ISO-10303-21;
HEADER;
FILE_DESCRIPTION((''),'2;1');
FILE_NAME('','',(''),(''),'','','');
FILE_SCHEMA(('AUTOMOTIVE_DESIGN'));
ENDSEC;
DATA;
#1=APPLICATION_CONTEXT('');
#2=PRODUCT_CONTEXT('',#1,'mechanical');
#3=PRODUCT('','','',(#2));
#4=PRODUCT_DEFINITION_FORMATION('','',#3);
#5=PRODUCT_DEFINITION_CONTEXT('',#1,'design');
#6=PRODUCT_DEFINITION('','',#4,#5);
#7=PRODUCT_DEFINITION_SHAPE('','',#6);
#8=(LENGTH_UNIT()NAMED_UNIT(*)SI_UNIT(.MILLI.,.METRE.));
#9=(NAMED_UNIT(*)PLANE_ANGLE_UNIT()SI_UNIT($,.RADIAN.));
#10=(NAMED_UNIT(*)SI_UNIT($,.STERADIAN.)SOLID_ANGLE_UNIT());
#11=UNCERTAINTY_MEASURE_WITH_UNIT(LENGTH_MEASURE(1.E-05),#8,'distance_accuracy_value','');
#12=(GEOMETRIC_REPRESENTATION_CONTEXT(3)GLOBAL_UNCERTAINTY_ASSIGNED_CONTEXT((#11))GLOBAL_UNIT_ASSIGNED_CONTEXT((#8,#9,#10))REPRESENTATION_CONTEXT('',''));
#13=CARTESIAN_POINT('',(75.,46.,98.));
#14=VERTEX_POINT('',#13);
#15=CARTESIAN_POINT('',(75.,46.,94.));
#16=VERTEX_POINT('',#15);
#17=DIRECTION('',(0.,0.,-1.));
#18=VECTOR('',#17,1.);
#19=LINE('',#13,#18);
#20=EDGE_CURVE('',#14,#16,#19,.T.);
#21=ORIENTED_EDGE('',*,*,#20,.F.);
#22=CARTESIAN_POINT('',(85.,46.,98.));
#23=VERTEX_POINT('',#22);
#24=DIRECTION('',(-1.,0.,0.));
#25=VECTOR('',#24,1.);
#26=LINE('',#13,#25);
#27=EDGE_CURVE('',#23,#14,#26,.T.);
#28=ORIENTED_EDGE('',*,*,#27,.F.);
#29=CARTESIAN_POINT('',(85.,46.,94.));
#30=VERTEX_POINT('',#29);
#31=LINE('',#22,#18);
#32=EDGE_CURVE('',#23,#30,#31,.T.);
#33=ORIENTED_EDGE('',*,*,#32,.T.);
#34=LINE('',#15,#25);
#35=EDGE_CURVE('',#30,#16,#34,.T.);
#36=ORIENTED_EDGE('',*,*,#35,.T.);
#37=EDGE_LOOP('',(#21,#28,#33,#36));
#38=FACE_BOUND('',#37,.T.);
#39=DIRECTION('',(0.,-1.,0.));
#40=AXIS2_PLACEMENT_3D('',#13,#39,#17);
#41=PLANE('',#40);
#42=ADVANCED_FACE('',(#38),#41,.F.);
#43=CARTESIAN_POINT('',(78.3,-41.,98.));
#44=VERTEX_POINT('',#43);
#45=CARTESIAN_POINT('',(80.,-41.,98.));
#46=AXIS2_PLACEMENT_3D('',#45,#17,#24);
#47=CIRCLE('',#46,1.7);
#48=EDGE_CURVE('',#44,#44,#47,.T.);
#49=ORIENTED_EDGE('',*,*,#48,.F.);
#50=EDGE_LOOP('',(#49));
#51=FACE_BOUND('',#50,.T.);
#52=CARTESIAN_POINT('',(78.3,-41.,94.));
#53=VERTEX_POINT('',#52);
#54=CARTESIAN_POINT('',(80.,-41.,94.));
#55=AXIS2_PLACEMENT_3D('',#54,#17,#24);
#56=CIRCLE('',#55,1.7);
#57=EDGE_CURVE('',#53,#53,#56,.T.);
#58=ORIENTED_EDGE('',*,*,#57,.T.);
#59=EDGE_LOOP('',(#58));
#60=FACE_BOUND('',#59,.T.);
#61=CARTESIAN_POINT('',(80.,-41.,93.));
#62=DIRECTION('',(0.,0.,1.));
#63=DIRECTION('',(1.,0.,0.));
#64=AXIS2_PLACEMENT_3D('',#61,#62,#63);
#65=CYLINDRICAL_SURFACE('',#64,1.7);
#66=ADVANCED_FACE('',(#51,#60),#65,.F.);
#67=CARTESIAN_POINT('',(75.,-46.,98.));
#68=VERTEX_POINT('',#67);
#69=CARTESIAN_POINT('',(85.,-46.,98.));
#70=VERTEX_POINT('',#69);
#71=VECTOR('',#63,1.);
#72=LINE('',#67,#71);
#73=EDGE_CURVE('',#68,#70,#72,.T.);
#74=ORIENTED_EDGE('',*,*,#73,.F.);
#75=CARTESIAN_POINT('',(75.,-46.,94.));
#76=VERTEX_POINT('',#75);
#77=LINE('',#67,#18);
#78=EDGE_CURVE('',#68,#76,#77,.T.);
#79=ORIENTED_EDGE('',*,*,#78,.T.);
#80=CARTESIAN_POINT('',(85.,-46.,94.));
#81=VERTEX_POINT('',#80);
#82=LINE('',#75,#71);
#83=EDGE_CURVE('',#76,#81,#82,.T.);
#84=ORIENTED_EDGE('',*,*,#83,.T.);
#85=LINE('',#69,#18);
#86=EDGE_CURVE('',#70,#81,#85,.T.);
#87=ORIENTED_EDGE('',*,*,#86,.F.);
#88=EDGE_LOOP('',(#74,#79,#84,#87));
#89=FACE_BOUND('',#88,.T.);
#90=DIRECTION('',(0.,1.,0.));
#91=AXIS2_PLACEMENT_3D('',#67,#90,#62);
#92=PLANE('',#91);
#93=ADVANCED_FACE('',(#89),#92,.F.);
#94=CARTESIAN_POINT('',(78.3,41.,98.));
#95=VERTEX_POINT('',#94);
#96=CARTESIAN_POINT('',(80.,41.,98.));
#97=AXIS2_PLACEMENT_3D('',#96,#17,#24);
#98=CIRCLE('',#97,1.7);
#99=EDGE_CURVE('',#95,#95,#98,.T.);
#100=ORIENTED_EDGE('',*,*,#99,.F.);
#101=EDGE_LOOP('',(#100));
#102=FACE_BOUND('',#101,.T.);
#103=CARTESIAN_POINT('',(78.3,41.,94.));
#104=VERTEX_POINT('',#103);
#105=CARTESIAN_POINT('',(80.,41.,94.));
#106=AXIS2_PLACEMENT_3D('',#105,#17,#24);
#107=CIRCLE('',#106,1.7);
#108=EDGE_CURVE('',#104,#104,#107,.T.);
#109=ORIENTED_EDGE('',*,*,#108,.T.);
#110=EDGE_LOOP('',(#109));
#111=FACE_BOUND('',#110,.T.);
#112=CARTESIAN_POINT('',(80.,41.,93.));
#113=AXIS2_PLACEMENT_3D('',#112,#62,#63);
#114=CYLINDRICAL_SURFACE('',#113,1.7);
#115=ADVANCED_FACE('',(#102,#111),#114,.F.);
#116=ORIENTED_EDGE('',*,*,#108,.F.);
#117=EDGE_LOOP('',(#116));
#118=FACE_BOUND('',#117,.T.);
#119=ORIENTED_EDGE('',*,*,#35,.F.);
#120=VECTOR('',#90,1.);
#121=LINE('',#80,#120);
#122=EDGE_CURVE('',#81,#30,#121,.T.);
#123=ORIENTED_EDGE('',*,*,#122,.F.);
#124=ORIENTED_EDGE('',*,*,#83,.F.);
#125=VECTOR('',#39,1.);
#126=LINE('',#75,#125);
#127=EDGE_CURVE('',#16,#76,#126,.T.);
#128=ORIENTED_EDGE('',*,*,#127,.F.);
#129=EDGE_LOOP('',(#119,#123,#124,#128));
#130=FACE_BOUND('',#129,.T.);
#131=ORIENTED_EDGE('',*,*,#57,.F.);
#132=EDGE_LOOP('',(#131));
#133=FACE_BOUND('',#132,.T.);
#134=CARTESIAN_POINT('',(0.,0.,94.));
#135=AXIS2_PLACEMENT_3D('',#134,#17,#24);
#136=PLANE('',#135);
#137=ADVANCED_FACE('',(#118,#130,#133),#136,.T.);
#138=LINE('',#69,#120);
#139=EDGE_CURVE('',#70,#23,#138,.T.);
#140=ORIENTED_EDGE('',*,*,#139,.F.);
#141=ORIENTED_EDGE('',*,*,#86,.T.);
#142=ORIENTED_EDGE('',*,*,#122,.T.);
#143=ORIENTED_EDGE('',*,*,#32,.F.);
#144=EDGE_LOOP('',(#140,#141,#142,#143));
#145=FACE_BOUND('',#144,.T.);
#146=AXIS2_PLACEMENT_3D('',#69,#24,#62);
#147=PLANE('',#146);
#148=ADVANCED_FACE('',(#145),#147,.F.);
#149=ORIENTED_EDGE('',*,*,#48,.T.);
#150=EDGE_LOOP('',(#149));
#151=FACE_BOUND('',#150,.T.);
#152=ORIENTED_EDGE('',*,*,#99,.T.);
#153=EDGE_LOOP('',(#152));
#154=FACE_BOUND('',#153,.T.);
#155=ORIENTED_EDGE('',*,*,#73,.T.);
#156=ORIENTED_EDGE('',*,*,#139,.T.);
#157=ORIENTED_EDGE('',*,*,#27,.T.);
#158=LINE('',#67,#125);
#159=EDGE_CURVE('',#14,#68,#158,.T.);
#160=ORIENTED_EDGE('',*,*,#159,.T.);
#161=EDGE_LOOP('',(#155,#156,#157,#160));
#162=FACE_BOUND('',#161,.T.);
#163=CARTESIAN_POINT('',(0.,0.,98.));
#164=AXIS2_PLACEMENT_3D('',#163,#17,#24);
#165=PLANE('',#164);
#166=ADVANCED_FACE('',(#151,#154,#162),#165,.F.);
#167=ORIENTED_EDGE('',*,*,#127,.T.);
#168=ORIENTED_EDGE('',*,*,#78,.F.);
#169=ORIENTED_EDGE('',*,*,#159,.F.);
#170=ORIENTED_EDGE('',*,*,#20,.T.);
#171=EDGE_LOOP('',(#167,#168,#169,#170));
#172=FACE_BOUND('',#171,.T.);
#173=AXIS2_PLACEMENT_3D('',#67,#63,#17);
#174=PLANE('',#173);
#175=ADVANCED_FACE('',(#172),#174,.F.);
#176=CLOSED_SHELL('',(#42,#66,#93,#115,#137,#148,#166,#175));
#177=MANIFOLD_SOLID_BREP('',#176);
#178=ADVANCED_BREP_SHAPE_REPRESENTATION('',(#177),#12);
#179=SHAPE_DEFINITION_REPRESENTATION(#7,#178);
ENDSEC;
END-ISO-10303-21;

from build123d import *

# Parameters (mm, degrees)
CONTROL_BATTERY_CLAMP_START = 94
SKETCH_1_W                  = 10
SKETCH_1_H                  = 92
CONTROL_BATTERY_CLAMP_DEPTH = 4
CLAMP_TWO_M3_START          = 99
SKETCH_2_R                  = 1.7
CLAMP_TWO_M3_DEPTH          = 6


with BuildPart() as part:
    # 草图1 → Control_battery_clamp (new body)
    with BuildSketch(Plane.XY.offset(CONTROL_BATTERY_CLAMP_START)):
        with Locations((80, 0)):
            Rectangle(SKETCH_1_W, SKETCH_1_H)
    extrude(amount=CONTROL_BATTERY_CLAMP_DEPTH)

    # 草图2 → Clamp_two_M3 (cut)
    with BuildSketch(Plane.XY.offset(CLAMP_TWO_M3_START)):
        with Locations(Location((80, -41, 0), (0, 0, 180))):
            Circle(SKETCH_2_R)
        with Locations(Location((80, 41, 0), (0, 0, 180))):
            Circle(SKETCH_2_R)
    extrude(amount=-CLAMP_TWO_M3_DEPTH, mode=Mode.SUBTRACT)


solid = part.part
